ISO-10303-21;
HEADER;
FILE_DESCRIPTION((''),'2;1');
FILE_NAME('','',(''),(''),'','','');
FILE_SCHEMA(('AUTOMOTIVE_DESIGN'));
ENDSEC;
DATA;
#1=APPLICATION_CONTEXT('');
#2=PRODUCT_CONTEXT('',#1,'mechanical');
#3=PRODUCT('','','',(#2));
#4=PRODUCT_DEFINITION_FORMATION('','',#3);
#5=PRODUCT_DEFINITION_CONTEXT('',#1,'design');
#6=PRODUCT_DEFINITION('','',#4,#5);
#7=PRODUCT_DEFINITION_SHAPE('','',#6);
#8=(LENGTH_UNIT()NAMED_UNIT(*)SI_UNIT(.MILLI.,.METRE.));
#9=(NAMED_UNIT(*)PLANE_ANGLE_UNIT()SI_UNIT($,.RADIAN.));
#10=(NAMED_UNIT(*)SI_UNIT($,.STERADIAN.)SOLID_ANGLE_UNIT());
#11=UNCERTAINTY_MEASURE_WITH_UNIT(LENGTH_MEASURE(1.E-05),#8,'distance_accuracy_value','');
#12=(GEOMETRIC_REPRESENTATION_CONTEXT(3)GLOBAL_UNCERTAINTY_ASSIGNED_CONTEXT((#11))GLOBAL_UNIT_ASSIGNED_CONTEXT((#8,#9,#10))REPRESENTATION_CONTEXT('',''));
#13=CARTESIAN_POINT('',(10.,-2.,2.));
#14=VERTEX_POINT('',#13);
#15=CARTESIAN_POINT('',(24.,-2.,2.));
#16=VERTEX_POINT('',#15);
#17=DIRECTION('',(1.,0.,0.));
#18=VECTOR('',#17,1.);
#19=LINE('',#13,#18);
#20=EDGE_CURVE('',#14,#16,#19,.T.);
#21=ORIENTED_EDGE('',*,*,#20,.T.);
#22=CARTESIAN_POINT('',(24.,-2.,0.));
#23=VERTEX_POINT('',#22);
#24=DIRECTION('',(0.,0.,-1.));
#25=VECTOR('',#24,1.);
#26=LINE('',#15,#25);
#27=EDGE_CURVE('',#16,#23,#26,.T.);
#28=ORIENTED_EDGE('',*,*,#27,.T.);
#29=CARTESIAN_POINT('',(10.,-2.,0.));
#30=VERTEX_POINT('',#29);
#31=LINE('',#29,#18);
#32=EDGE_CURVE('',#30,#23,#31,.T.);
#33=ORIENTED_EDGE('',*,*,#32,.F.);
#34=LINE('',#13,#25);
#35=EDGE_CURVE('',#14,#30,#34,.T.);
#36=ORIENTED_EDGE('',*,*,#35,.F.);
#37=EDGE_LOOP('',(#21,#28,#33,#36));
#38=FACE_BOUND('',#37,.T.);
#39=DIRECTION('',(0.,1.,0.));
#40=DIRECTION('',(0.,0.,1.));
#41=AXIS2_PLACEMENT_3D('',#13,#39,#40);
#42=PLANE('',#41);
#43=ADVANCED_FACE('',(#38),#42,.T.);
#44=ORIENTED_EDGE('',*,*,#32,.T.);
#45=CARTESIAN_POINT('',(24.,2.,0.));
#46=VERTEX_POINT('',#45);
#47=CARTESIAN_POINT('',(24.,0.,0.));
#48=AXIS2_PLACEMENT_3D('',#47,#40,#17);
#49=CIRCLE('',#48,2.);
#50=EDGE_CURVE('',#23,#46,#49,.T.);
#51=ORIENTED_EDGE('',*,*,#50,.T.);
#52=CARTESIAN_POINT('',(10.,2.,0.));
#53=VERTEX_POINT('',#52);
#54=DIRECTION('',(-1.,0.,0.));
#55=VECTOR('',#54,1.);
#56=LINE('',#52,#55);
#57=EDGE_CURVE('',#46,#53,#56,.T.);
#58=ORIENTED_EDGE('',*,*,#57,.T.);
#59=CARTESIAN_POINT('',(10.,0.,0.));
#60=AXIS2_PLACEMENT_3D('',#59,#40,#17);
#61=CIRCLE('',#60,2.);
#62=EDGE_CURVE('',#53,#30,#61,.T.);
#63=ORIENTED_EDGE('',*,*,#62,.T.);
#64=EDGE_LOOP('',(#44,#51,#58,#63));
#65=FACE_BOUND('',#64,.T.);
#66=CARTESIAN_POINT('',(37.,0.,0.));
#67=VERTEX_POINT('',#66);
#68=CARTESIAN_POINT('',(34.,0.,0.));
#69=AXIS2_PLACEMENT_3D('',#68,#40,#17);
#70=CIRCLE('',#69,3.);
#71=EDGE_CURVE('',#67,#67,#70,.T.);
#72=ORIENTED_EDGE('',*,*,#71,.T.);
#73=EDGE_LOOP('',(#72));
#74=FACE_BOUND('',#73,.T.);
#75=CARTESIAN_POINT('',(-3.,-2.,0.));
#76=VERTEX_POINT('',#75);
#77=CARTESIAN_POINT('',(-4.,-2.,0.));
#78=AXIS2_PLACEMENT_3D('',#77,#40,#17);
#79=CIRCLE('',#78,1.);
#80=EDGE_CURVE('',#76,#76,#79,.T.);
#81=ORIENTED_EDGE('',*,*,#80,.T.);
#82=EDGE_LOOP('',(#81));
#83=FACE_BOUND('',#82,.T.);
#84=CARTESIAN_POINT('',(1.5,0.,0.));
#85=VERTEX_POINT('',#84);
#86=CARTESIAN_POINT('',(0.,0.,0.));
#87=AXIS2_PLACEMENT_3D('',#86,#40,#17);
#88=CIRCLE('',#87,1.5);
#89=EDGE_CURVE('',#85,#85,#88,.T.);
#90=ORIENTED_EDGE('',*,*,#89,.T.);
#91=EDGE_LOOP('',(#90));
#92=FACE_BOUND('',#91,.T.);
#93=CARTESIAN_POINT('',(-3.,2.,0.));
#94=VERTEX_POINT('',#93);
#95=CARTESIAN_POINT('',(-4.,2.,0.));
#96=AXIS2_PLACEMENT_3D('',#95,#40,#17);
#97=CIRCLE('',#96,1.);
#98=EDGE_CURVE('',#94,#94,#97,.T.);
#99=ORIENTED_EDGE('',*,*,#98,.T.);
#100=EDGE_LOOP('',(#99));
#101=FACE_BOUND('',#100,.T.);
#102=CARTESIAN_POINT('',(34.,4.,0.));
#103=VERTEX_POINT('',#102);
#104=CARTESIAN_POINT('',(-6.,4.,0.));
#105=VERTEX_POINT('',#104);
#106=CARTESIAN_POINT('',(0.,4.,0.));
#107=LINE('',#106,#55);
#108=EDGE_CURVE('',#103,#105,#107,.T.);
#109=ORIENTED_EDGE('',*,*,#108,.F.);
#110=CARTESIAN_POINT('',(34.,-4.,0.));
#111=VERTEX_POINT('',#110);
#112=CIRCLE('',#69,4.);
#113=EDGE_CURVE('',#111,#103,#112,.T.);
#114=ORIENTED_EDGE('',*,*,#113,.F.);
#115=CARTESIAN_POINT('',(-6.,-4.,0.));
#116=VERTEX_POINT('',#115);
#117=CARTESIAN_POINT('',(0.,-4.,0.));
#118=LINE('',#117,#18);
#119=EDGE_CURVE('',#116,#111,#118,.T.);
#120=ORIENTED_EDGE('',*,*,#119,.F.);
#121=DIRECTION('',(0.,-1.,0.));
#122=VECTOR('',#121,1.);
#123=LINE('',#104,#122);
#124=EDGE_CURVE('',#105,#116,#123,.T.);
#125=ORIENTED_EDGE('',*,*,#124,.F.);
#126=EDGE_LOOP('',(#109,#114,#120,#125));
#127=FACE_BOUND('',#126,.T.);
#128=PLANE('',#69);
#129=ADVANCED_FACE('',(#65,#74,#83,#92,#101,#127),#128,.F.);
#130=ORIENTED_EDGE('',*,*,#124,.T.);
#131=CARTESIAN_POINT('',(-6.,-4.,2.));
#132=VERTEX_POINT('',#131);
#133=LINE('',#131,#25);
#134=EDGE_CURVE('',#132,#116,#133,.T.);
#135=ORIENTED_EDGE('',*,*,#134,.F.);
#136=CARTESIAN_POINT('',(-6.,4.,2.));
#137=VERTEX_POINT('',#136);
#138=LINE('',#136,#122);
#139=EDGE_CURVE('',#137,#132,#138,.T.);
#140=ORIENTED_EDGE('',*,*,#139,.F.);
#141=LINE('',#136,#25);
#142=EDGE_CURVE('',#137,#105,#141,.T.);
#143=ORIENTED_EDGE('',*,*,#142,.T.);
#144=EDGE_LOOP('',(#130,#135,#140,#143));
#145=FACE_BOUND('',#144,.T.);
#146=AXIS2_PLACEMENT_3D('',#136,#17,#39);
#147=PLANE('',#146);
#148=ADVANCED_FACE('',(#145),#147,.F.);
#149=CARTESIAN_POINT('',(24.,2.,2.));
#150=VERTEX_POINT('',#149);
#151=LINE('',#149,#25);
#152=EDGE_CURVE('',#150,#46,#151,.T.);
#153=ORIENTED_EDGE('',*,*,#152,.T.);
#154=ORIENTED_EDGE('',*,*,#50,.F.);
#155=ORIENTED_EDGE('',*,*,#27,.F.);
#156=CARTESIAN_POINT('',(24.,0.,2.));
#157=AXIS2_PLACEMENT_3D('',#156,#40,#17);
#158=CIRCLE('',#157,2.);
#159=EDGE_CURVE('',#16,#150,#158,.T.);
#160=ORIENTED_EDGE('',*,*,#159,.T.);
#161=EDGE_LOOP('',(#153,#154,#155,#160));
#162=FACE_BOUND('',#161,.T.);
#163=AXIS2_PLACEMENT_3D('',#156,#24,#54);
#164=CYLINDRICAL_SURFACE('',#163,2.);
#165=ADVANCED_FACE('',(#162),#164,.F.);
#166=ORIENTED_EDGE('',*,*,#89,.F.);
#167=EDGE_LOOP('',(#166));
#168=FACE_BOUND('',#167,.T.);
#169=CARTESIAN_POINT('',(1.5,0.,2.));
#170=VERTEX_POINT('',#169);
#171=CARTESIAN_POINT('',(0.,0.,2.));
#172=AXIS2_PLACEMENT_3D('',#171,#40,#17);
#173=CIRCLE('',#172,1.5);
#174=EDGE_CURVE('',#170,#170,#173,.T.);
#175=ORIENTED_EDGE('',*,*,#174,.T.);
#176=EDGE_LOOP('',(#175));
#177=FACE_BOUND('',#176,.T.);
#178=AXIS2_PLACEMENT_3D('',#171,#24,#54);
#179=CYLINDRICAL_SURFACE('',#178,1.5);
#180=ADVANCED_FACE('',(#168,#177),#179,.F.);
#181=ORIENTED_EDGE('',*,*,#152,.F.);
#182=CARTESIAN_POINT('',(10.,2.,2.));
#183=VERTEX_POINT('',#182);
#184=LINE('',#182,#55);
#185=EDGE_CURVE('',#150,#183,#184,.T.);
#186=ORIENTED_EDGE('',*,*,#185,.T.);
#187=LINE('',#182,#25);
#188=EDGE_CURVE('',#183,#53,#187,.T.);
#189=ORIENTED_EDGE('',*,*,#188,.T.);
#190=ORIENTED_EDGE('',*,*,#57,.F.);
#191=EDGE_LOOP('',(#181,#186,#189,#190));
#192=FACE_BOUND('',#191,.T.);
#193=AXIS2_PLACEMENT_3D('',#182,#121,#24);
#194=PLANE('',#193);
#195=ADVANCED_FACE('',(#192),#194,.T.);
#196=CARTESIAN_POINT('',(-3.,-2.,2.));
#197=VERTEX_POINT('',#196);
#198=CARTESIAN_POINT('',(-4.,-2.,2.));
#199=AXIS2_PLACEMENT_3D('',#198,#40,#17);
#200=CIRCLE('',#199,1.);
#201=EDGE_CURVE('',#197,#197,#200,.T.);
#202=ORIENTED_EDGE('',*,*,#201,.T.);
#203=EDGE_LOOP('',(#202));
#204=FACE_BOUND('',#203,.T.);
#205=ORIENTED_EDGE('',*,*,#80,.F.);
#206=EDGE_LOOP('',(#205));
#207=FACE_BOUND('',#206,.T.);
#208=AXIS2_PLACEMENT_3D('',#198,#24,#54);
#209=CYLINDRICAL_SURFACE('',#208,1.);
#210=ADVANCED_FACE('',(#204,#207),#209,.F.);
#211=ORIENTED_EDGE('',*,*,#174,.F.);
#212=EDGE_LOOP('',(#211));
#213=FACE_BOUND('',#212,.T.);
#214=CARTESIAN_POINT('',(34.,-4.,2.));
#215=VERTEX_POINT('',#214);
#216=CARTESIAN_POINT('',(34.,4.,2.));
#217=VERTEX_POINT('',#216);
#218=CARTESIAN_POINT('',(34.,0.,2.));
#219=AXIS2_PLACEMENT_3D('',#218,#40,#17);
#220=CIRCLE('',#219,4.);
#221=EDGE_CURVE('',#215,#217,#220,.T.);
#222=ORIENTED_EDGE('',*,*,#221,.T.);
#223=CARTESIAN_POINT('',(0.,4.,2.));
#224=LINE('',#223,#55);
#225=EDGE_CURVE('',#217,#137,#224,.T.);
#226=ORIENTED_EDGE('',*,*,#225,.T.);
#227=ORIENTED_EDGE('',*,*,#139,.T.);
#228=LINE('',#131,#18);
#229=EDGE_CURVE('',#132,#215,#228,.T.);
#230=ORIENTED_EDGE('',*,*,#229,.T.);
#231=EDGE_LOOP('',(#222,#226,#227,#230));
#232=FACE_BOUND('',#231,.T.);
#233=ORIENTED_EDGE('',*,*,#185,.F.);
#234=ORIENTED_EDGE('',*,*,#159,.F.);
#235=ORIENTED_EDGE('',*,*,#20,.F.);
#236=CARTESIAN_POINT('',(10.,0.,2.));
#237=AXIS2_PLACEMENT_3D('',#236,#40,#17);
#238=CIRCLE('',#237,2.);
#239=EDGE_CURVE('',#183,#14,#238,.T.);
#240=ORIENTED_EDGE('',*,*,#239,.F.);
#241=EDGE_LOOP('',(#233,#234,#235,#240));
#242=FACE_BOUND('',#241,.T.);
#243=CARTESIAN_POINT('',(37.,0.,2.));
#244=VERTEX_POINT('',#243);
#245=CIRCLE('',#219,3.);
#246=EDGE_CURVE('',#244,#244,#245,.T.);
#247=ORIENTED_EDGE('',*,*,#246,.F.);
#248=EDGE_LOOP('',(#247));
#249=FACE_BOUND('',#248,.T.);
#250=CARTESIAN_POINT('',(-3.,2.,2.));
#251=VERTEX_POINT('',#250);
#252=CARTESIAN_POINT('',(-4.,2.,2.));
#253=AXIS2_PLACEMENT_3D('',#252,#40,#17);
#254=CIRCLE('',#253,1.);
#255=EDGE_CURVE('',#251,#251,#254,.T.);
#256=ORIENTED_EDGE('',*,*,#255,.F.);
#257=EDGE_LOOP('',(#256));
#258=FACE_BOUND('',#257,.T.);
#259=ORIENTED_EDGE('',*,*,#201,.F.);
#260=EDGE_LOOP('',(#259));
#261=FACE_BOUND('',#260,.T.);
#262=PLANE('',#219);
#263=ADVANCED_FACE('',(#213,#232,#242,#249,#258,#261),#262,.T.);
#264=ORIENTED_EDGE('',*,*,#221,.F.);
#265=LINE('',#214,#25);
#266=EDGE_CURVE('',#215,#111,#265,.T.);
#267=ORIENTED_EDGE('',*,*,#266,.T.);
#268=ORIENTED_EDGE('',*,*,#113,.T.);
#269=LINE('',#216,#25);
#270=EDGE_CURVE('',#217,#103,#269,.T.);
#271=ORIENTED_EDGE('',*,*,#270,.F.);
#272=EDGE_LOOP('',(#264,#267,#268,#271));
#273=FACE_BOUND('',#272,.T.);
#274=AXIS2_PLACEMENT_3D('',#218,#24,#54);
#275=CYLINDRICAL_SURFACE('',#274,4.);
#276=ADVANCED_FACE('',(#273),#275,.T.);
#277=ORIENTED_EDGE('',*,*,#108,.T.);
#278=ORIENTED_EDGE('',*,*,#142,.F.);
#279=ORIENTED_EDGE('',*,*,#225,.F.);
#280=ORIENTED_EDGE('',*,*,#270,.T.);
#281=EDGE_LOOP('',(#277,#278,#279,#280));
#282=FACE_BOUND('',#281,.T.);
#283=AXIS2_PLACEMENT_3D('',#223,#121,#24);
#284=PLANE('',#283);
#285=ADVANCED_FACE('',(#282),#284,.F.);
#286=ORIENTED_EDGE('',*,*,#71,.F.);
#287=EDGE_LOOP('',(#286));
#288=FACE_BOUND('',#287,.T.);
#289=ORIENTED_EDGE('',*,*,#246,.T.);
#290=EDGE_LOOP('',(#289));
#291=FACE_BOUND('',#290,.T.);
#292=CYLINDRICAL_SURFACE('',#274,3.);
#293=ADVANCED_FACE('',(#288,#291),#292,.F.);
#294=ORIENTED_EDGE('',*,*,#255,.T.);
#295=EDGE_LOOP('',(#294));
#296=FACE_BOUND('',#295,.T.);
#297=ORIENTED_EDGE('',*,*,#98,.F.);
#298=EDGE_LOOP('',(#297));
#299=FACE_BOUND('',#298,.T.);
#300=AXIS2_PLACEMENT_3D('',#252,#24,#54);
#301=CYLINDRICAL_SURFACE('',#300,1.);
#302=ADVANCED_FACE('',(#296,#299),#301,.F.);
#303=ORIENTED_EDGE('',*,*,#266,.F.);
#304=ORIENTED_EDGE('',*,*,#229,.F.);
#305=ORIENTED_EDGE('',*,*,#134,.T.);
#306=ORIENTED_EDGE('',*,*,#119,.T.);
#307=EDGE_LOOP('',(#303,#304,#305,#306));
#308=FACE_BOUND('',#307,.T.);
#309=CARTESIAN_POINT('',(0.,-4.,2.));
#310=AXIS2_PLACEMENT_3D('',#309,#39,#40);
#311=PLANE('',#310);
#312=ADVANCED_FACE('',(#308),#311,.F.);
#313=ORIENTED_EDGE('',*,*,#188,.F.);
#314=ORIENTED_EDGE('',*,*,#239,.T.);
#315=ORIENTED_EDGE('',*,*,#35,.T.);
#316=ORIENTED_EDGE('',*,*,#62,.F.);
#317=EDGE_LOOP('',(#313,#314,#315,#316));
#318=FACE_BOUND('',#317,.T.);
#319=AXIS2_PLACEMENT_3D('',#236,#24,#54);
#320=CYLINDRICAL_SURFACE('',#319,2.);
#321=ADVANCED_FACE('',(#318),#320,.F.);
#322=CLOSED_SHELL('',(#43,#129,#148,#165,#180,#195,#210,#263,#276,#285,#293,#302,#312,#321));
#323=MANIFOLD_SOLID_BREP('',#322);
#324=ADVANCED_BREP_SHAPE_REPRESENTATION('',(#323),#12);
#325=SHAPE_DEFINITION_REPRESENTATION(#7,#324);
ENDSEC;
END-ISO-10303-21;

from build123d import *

# Parameters (mm, degrees)
SKETCH_2_R      = 1
SKETCH_2_R_2    = 1.5
SKETCH_2_R_3    = 3
EXTRUDE_1_DEPTH = 2


with BuildPart() as part:
    # 草图2 → 凸台-拉伸1 (new body)
    with BuildSketch(Plane.XY):
        with BuildLine():
            Line((0, 4), (34, 4))
            ThreePointArc((34, 4), (38, 0), (34, -4))
            Line((34, -4), (0, -4))
            Line((0, -4), (-6, -4))
            Line((-6, -4), (-6, 4))
            Line((-6, 4), (0, 4))
        make_face()
        with Locations((-4, 2)):
            Circle(SKETCH_2_R, mode=Mode.SUBTRACT)
        Circle(SKETCH_2_R_2, mode=Mode.SUBTRACT)
        with Locations((34, 0)):
            Circle(SKETCH_2_R_3, mode=Mode.SUBTRACT)
        with Locations((-4, -2)):
            Circle(SKETCH_2_R, mode=Mode.SUBTRACT)
        with BuildLine():
            Line((10, 2), (24, 2))
            ThreePointArc((24, 2), (26, 0), (24, -2))
            Line((24, -2), (10, -2))
            ThreePointArc((10, -2), (8, 0), (10, 2))
        make_face(mode=Mode.SUBTRACT)
    extrude(amount=EXTRUDE_1_DEPTH)


solid = part.part
